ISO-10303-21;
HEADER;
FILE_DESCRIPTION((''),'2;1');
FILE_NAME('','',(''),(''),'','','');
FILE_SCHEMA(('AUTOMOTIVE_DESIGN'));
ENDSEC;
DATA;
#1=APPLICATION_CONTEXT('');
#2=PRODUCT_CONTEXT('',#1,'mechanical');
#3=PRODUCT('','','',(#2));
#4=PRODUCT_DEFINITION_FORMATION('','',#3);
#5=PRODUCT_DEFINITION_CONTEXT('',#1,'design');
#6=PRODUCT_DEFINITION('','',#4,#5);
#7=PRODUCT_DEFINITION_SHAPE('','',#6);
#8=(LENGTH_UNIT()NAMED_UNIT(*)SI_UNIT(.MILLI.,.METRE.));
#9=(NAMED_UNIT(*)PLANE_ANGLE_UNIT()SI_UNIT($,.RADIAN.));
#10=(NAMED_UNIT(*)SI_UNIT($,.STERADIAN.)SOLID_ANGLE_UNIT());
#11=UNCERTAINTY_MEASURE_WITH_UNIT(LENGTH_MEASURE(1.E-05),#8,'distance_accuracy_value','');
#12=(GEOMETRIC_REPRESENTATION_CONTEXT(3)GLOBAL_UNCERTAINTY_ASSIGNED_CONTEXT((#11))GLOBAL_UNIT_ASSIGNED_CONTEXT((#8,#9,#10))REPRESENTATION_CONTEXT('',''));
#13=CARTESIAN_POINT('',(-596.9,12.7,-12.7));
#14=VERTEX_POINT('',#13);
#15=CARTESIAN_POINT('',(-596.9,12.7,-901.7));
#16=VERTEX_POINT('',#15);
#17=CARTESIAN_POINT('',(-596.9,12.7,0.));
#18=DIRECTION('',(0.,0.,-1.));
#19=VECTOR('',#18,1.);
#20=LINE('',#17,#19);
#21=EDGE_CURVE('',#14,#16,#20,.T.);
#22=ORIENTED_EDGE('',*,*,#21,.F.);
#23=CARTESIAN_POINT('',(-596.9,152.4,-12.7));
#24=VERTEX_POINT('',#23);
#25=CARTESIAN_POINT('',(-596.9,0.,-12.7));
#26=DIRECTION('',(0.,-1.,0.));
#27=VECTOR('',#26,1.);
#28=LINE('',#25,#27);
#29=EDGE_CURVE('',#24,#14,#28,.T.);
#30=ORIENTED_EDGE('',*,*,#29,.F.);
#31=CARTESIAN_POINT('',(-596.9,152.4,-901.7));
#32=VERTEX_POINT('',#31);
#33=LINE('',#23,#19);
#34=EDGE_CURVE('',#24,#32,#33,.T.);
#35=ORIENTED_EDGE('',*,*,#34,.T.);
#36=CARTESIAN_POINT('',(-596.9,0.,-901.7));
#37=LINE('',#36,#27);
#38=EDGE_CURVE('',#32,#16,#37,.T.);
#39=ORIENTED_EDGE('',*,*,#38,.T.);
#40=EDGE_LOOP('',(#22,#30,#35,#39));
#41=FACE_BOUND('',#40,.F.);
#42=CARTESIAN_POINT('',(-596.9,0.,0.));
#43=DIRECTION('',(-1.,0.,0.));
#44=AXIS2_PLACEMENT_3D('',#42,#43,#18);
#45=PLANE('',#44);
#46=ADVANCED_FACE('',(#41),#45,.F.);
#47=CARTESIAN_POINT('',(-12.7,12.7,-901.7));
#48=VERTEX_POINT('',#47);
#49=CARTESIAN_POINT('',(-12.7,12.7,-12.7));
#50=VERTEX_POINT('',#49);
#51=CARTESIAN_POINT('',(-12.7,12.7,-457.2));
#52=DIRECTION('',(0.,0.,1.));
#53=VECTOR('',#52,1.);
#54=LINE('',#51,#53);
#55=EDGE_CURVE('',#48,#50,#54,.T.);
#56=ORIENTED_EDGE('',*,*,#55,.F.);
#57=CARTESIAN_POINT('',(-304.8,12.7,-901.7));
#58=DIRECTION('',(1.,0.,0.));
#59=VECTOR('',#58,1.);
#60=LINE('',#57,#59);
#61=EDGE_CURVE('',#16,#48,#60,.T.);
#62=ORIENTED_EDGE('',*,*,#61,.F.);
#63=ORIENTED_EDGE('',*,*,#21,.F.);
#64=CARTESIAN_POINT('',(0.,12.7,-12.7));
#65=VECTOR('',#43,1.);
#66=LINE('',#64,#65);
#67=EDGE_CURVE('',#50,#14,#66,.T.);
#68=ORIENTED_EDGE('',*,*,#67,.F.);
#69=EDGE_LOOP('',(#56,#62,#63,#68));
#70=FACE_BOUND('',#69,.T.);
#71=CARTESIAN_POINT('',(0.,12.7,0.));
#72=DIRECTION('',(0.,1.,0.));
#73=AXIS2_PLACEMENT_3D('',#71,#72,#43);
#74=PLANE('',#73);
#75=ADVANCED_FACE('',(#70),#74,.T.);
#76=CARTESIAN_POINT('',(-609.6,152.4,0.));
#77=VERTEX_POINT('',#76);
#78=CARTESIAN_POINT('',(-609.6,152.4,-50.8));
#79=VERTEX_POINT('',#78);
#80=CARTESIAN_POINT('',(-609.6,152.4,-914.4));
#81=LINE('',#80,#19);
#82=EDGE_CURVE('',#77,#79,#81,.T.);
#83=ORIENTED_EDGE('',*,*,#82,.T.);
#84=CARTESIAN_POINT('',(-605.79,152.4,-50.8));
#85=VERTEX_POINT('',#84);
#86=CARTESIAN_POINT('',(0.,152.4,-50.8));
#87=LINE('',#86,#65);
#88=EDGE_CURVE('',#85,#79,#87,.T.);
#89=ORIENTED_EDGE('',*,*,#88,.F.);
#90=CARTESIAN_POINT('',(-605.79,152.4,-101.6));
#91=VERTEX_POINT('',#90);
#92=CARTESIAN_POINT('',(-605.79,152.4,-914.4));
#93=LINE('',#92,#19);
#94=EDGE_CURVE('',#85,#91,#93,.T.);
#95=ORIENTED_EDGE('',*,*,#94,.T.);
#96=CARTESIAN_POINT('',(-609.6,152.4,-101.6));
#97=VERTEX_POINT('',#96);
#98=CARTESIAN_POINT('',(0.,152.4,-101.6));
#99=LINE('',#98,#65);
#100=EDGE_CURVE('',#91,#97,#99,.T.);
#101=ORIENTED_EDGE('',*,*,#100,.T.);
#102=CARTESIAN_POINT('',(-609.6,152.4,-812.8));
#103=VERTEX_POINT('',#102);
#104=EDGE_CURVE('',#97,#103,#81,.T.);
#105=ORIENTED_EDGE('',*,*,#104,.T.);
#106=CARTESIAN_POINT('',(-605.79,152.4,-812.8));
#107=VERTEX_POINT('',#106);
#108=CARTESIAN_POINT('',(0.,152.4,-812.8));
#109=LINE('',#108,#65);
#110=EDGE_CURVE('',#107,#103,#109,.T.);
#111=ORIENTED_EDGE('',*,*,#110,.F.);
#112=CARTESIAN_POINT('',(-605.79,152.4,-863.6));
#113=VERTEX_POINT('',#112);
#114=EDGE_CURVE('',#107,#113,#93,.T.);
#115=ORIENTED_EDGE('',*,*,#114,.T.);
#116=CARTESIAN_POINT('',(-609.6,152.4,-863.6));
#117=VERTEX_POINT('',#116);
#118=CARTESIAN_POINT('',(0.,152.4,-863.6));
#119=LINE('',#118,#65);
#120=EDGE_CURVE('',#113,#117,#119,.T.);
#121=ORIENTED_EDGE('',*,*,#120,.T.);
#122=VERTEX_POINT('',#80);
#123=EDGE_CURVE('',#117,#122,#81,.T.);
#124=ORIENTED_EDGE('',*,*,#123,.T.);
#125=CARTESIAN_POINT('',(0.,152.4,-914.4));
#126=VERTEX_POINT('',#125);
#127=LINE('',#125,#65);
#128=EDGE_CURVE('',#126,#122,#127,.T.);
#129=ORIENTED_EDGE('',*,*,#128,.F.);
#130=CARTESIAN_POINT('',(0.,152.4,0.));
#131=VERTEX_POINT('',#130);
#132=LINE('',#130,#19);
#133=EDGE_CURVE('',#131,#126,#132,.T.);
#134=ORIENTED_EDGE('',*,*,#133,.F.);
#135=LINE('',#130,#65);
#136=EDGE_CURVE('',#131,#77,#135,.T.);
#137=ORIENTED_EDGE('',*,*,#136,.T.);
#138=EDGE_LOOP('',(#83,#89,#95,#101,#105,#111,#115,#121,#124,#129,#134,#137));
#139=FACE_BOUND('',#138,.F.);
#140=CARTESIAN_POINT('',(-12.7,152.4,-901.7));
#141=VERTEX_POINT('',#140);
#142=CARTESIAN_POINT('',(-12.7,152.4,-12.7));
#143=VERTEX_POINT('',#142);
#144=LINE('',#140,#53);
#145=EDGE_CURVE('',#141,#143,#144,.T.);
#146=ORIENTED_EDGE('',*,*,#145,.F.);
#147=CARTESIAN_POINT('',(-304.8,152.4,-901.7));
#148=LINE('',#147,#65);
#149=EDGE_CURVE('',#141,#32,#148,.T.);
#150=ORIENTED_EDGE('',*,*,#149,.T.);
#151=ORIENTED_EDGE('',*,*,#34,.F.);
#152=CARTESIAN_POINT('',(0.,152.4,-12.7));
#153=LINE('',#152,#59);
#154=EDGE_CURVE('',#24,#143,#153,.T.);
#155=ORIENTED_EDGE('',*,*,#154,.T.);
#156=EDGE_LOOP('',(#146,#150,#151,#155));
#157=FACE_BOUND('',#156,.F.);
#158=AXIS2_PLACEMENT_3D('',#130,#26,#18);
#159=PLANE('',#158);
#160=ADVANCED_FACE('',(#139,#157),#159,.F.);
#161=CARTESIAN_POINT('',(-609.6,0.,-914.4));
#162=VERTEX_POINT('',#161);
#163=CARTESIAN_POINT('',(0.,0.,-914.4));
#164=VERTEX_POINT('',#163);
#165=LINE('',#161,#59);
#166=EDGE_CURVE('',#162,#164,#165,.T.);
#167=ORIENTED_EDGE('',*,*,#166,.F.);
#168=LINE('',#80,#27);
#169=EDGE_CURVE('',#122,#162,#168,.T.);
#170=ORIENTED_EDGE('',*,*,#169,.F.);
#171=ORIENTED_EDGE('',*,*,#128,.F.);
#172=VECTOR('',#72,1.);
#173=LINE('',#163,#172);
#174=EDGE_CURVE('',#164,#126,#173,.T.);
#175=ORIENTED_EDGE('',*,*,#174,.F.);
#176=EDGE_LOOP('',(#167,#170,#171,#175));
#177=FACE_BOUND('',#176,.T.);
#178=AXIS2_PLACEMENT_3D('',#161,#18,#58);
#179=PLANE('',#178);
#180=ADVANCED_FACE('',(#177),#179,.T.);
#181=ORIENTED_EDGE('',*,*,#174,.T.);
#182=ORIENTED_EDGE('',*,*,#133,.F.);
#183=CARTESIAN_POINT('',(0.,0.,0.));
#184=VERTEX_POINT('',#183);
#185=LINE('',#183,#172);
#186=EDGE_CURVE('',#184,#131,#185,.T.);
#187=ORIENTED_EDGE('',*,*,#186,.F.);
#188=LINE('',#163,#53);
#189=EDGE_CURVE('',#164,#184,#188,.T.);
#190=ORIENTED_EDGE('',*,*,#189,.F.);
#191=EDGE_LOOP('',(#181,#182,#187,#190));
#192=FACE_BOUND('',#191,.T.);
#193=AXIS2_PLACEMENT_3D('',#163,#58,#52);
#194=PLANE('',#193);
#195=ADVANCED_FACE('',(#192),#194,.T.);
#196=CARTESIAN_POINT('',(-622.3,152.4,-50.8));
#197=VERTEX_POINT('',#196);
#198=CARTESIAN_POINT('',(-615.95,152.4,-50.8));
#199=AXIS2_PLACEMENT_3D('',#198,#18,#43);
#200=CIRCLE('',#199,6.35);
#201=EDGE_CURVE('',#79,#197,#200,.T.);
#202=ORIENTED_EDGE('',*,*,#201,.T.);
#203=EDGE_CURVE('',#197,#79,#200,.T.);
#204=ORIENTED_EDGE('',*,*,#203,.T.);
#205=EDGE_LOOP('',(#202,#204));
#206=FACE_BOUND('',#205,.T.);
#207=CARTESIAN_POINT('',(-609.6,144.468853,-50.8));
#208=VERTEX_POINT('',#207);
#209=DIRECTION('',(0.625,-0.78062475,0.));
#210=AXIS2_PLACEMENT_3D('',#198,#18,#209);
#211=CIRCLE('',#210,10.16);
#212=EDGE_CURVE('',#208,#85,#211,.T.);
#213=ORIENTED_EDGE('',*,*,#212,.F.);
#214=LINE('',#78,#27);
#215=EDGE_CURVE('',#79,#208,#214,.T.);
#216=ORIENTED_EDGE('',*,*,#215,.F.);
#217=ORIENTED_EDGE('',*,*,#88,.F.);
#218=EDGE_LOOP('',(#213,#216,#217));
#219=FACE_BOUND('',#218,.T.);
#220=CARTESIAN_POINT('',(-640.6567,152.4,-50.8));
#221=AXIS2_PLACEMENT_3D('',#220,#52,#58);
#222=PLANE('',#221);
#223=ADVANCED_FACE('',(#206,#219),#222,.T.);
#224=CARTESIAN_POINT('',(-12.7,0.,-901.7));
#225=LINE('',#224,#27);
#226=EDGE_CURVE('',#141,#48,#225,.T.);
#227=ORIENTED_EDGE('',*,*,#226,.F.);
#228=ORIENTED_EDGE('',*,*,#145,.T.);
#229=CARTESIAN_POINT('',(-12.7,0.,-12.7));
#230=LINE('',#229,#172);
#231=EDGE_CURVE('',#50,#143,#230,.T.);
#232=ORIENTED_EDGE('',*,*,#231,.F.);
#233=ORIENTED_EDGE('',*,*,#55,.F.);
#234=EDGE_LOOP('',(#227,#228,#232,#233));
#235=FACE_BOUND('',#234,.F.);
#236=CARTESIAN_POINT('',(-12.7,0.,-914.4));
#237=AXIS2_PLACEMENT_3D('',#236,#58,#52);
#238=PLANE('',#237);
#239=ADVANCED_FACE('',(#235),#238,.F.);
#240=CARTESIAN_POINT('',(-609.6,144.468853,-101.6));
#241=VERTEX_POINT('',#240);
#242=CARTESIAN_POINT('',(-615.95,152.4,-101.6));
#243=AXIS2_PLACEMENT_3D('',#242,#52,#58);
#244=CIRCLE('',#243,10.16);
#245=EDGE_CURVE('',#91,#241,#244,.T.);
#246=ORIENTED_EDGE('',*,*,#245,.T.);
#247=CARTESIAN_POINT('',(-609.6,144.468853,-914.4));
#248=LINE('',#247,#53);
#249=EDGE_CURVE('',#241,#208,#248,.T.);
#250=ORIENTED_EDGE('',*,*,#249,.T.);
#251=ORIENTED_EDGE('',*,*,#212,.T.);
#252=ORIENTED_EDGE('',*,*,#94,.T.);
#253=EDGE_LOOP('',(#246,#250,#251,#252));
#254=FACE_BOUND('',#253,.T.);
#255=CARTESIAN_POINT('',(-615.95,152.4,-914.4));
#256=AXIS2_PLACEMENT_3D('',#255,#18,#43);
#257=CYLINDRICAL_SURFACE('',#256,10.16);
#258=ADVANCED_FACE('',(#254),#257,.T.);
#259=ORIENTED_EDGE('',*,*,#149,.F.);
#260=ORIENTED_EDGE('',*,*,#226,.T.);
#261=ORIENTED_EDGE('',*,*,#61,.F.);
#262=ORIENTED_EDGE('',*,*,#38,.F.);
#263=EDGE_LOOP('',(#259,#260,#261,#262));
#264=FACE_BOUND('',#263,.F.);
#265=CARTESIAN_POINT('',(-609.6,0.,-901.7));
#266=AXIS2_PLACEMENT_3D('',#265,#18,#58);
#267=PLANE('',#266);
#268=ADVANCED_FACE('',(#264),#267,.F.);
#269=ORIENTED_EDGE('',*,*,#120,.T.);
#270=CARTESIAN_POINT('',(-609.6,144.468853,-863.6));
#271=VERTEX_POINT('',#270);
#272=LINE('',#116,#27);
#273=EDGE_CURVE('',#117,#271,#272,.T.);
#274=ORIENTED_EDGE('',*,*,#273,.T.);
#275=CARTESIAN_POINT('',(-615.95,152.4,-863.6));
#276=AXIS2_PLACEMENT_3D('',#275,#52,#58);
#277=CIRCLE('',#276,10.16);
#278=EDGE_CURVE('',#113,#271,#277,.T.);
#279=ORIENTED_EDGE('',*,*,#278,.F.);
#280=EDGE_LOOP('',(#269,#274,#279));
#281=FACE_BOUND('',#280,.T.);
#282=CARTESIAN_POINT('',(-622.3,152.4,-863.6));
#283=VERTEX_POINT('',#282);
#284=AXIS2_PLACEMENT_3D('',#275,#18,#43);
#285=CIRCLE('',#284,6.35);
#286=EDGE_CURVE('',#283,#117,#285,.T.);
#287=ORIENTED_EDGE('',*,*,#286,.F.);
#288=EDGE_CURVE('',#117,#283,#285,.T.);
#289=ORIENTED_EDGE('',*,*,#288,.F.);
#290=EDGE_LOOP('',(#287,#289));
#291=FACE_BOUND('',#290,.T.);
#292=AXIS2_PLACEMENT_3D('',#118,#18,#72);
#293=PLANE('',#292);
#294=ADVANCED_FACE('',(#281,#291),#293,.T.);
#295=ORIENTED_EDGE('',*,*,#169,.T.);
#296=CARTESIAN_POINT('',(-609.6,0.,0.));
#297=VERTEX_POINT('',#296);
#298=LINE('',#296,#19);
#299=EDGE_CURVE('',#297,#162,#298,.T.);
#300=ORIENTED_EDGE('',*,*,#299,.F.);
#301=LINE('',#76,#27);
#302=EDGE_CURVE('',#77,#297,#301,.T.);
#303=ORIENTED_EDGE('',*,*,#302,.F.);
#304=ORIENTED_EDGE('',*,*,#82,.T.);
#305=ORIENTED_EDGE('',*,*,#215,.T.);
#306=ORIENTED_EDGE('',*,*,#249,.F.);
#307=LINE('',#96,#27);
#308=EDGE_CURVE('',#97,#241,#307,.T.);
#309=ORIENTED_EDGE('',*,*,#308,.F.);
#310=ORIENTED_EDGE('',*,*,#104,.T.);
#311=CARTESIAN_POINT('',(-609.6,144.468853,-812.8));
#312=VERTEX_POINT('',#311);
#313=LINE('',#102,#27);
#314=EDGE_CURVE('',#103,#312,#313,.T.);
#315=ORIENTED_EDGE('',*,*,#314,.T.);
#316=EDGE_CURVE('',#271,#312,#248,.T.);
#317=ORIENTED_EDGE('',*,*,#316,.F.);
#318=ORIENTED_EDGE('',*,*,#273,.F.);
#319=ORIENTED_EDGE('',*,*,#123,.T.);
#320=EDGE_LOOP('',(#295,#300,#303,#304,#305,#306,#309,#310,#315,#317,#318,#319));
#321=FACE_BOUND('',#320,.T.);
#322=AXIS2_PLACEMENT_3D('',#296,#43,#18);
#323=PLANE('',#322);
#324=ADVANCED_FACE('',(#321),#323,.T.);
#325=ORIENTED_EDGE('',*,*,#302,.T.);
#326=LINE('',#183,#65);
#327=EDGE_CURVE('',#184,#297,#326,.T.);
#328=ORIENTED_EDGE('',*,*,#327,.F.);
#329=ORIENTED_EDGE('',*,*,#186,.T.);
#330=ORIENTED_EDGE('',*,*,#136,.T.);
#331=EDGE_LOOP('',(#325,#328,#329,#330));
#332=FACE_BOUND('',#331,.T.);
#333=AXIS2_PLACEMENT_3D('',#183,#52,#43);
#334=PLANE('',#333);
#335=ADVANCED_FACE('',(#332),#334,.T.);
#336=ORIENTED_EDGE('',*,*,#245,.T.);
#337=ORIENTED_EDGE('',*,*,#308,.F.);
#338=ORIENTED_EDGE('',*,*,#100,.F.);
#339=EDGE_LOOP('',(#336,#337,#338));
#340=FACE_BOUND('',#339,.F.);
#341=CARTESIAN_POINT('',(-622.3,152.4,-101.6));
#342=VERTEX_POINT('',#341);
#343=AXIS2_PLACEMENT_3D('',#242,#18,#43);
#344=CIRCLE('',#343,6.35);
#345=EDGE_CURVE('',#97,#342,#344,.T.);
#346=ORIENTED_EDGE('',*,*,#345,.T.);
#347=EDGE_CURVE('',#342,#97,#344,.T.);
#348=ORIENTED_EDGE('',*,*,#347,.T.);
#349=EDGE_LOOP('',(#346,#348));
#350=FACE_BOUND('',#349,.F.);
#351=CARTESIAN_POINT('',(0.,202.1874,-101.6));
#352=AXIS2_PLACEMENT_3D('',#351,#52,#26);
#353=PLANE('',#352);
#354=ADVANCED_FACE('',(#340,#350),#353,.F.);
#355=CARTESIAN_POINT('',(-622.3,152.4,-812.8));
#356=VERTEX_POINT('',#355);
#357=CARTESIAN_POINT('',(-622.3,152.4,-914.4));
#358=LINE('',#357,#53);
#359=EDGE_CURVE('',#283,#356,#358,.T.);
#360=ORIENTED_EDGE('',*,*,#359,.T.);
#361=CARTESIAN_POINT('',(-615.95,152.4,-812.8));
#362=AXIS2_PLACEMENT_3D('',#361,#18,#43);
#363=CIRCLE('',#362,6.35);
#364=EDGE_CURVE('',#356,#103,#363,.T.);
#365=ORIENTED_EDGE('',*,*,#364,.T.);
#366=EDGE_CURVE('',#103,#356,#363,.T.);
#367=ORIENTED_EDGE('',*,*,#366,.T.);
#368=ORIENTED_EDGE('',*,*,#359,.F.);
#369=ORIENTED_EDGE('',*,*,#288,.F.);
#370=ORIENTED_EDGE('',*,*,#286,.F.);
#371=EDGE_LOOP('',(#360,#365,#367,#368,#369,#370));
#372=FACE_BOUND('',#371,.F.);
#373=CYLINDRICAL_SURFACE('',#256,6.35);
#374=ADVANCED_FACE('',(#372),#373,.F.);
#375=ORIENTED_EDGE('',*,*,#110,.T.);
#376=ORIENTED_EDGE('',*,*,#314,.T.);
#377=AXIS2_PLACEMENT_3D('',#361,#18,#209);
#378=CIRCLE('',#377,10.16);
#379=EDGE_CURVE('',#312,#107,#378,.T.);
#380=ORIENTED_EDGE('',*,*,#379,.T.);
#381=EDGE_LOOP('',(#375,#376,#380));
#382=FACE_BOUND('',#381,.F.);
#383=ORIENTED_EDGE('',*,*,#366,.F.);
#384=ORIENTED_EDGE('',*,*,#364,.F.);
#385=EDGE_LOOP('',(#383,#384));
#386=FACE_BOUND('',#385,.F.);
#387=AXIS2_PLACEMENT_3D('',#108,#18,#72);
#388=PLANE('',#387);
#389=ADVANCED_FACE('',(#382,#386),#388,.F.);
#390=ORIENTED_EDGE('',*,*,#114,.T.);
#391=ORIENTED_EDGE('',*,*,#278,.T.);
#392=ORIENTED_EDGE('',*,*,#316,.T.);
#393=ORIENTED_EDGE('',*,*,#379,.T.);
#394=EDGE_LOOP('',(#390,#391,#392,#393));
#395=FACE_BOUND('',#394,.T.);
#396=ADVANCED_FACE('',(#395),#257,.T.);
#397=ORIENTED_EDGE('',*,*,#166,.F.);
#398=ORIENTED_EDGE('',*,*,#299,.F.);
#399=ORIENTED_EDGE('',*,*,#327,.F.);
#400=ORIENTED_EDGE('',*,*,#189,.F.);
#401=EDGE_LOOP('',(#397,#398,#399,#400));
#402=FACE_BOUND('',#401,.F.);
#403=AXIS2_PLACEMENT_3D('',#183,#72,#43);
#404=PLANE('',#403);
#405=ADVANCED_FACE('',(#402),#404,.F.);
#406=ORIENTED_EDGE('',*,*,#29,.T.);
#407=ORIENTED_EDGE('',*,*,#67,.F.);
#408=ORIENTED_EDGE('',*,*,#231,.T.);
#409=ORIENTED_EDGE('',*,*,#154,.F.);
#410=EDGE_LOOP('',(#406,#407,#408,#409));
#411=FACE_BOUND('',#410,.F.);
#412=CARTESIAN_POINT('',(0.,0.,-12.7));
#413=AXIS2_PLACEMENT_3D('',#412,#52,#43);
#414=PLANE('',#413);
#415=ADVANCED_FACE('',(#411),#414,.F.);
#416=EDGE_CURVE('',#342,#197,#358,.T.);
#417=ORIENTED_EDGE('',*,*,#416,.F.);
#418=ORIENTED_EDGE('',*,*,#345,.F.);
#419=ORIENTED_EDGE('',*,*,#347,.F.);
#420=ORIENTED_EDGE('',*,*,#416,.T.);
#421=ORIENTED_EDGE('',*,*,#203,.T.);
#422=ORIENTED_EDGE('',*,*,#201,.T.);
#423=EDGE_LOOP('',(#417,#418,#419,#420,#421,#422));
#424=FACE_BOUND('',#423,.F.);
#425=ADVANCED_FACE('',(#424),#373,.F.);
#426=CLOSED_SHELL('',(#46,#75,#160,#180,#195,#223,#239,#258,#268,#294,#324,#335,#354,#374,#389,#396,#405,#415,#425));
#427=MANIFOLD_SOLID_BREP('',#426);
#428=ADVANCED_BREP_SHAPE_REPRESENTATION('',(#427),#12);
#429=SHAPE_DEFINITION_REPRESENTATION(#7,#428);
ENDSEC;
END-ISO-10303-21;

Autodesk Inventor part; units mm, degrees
ref_plane "YZ Plane" through (0, 0, 0) normal (1, 0, 0) x (0, 1, 0)
ref_plane "XZ Plane" through (0, 0, 0) normal (0, 1, 0) x (-1, 0, 0)
ref_plane "XY Plane" through (0, 0, 0) normal (0, 0, 1) x (1, 0, 0)
sketch "Sketch1" plane through (0, 0, 0) normal (0, 1, 0) x (-1, 0, 0)
  line L0 (0, 0) -> (609.6, 0)
  line L1 (609.6, 0) -> (609.6, -914.4)
  line L2 (609.6, -914.4) -> (0, -914.4)
  line L3 (0, -914.4) -> (0, 0)
  dimension "d0" = 609.6
  dimension "d1" = 914.4
extrude "Extrusion1" add sketch "Sketch1" along normal blind 152.4
shell "Shell1" thickness 12.7 removed faces 1 at (-203.2, 152.4, -304.8)
sketch "Sketch2" plane through (0, 0, -914.4) normal (0, 0, -1) x (-1, 0, 0)
  line L0 (596.9, 152.4) -> (12.7, 152.4) projected
  circle A0 centre (615.95, 152.4) radius 10.16
  circle A1 centre (615.95, 152.4) radius 6.35
  line L1 (609.6, 0) -> (609.6, 152.4) projected
  point P0 (0, 0)
  dimension "d5" = 12.7
  dimension "d6" = 20.32
  dimension "d7" = 6.35
extrude "Extrusion2" add sketch "Sketch2" against normal up to surface (914.4 mm away)
sketch "Sketch3" plane through (0, 152.4, 0) normal (0, 1, 0) x (1, 0, 0)
  point P0 (0, 0)
sketch "Sketch4" plane through (0, 0, 0) normal (1, 0, 0) x (0, 0, -1)
  line L0 (0, 0) -> (0, 152.4) projected
  line L1 (0, 152.4) -> (50.8, 152.4)
  line L2 (50.8, 152.4) -> (50.8, 178.2149)
  line L3 (50.8, 178.2149) -> (0, 178.2149)
  line L4 (0, 178.2149) -> (0, 152.4)
  line L5 (914.4, 152.4) -> (863.6, 152.4)
  line L6 (863.6, 152.4) -> (863.6, 178.2149)
  line L7 (863.6, 178.2149) -> (914.4, 178.2149)
  line L8 (914.4, 178.2149) -> (914.4, 152.4)
  line L9 (0, 152.4) -> (914.4, 152.4) projected
  line L10 (101.6, 152.4) -> (812.8, 152.4)
  line L11 (812.8, 152.4) -> (812.8, 202.1874)
  line L12 (812.8, 202.1874) -> (101.6, 202.1874)
  line L13 (101.6, 202.1874) -> (101.6, 152.4)
  dimension "d10" = 50.8
  dimension "d11" = 50.8
  dimension "d12" = 50.8
  dimension "d13" = 50.8
extrude "Extrusion3" cut sketch "Sketch4" against normal through all
sketch "Sketch5" plane through (0, 152.4, 0) normal (0, 1, 0) x (1, 0, 0)
  line L0 (-609.6, 0) -> (-609.6, 914.4) projected
  line L1 (-609.6, 0) -> (-640.6567, 0)
  line L2 (-640.6567, 0) -> (-640.6567, 50.8)
  line L3 (-640.6567, 50.8) -> (-609.6, 50.8)
  line L4 (-609.6, 50.8) -> (-609.6, 0)
  line L5 (-609.6, 101.6) -> (-609.6, 812.8) projected
  line L6 (-609.6, 101.6) -> (-640.6567, 101.6)
  line L7 (-640.6567, 101.6) -> (-640.6567, 812.8)
  line L8 (-640.6567, 812.8) -> (-609.6, 812.8)
  line L9 (-609.6, 812.8) -> (-609.6, 101.6)
  line L10 (-609.6, 863.6) -> (-609.6, 914.4) projected
  line L11 (-609.6, 863.6) -> (-644.9488, 863.6)
  line L12 (-644.9488, 863.6) -> (-644.9488, 914.4)
  line L13 (-644.9488, 914.4) -> (-609.6, 914.4)
  line L14 (-609.6, 914.4) -> (-609.6, 863.6)
  point P0 (0, 0)
extrude "Extrusion4" cut sketch "Sketch5" against normal blind 25.4
properties part number "chestLower"
